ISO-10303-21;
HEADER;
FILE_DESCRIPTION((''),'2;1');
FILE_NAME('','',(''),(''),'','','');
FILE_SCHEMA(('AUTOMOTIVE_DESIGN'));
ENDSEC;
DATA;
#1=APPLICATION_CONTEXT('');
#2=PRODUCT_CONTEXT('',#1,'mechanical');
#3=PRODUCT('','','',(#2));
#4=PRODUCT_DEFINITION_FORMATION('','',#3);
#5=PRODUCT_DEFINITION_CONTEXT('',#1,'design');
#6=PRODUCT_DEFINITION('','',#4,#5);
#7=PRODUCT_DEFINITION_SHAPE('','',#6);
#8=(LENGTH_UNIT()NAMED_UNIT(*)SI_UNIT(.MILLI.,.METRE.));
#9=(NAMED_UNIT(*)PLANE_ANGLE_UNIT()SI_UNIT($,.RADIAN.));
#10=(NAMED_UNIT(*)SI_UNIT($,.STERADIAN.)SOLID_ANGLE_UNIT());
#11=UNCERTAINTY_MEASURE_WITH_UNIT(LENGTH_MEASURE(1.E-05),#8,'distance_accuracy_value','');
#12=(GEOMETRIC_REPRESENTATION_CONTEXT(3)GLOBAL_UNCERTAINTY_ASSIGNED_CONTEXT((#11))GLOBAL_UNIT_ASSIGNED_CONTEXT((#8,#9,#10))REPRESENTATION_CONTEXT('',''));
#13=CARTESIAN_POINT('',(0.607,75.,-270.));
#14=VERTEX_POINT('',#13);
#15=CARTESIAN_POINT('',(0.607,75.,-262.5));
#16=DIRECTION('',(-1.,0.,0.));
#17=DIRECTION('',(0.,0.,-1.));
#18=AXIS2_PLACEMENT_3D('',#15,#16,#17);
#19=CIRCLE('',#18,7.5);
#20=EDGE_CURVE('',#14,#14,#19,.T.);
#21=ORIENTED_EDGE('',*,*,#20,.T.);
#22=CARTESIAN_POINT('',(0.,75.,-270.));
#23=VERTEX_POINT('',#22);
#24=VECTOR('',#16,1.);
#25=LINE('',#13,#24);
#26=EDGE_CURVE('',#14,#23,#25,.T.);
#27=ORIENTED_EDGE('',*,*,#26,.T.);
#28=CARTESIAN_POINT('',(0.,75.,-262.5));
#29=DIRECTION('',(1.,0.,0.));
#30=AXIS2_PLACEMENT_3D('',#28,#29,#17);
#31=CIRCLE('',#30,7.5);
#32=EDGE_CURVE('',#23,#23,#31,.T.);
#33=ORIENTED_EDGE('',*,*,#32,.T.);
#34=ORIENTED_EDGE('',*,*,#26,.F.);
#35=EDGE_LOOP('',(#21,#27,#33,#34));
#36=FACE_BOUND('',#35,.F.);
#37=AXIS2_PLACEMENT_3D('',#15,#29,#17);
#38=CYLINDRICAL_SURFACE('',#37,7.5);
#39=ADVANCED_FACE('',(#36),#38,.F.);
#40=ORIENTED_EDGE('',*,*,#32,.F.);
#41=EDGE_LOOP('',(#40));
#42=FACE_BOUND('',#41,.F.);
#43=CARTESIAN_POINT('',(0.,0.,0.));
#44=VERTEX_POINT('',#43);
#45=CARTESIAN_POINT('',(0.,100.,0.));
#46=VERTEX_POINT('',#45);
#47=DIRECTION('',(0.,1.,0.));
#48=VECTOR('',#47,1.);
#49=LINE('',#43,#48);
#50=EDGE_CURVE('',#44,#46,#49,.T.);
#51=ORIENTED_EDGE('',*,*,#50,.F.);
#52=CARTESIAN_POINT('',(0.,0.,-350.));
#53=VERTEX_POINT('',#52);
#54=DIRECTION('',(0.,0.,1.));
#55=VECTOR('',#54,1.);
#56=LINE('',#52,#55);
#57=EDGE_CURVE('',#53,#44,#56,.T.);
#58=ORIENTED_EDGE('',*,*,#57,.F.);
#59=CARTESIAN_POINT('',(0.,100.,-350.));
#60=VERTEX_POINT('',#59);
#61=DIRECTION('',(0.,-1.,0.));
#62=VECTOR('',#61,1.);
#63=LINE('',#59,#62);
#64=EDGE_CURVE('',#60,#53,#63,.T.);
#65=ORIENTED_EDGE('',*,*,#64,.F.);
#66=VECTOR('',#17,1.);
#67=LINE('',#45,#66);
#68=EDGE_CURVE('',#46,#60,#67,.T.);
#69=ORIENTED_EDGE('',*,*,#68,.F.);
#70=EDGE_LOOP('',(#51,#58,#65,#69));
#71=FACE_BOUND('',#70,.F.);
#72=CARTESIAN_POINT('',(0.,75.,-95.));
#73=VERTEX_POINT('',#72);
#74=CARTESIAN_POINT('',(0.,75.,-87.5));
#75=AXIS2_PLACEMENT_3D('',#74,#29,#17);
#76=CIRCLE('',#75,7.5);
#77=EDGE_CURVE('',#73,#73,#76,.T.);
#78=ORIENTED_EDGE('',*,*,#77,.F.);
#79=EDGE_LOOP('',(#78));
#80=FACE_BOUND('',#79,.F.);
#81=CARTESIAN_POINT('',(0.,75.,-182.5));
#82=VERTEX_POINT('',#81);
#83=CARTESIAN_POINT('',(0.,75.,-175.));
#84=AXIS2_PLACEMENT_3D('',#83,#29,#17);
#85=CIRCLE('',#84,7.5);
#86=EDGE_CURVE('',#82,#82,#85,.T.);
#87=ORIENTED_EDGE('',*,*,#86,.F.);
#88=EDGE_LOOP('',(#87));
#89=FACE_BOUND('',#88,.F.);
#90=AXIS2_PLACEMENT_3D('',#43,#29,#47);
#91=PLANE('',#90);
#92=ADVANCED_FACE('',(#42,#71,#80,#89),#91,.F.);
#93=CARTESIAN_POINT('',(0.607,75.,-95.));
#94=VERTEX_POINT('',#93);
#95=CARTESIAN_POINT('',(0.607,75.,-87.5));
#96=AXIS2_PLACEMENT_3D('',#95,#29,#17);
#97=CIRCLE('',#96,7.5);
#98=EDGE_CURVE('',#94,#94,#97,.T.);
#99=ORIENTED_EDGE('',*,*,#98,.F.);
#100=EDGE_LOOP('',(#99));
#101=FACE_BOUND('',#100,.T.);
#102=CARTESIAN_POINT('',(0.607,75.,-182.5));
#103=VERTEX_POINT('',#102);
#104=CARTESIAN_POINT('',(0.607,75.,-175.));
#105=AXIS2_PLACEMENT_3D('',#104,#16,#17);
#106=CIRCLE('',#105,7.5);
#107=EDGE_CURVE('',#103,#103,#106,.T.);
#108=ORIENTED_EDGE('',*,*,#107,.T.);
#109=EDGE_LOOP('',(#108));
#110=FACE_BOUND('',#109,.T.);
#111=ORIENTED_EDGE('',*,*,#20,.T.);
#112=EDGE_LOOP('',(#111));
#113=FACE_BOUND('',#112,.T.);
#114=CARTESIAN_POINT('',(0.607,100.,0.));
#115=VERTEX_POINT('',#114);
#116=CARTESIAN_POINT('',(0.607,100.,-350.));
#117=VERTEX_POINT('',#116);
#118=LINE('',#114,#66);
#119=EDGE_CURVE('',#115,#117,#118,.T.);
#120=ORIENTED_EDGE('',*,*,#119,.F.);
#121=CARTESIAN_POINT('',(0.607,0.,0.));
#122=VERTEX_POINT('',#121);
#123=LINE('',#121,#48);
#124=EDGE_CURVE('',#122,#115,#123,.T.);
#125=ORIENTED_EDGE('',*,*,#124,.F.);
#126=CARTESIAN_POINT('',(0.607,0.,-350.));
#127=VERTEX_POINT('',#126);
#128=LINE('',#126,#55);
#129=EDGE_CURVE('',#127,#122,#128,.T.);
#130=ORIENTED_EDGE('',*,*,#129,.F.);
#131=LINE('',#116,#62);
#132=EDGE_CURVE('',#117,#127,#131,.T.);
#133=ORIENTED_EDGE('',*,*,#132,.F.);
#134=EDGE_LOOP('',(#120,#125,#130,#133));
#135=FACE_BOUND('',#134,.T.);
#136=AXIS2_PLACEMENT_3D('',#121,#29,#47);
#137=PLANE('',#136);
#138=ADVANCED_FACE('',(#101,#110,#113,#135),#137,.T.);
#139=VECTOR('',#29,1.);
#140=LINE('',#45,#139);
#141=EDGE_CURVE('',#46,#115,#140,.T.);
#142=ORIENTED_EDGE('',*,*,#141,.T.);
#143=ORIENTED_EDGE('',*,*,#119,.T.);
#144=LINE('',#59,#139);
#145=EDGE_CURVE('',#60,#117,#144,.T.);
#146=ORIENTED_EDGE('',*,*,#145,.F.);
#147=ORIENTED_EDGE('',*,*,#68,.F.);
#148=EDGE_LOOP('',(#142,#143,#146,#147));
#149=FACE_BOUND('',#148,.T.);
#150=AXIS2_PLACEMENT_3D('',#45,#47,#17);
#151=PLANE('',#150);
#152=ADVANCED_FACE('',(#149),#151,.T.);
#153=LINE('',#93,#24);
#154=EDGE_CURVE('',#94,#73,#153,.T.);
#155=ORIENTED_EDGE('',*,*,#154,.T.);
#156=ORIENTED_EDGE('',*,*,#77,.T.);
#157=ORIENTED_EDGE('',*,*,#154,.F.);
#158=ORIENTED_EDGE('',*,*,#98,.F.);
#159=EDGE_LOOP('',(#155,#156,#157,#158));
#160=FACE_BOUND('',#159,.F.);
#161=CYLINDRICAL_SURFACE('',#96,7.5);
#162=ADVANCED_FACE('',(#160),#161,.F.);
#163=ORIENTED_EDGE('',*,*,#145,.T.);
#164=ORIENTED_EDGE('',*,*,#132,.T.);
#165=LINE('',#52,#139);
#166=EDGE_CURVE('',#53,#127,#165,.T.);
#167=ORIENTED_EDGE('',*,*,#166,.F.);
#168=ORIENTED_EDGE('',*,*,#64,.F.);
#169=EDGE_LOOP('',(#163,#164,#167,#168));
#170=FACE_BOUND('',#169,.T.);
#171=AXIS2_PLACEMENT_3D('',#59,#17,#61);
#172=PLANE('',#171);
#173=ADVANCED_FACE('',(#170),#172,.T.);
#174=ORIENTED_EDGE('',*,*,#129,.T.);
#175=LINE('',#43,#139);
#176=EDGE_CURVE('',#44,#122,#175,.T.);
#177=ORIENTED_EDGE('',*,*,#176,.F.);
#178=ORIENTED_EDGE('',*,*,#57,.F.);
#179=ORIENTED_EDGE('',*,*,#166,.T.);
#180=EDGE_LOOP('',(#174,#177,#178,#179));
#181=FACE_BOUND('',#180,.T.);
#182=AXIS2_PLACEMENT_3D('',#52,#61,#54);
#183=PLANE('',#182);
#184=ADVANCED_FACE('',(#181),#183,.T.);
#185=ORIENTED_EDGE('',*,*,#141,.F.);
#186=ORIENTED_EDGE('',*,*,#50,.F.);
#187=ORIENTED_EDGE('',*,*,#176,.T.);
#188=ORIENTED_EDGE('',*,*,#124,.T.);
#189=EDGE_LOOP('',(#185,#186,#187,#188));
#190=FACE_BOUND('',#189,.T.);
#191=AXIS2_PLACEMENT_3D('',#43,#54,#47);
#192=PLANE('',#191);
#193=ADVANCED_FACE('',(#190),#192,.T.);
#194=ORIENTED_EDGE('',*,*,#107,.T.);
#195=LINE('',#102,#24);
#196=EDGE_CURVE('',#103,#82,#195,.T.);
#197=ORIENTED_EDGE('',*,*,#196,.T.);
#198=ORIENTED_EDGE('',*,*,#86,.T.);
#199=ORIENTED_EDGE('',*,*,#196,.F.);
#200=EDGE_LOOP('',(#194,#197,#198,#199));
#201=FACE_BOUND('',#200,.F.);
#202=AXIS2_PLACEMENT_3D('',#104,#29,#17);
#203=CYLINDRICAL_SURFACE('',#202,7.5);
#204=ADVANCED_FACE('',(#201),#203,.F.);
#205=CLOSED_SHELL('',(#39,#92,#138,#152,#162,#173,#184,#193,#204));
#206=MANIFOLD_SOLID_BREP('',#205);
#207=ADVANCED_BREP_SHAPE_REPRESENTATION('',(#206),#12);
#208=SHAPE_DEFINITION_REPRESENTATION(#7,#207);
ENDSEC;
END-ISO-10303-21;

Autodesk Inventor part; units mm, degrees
ref_plane "YZ Plane" through (0, 0, 0) normal (1, 0, 0) x (0, 1, 0)
ref_plane "XZ Plane" through (0, 0, 0) normal (0, 1, 0) x (-1, 0, 0)
ref_plane "XY Plane" through (0, 0, 0) normal (0, 0, 1) x (1, 0, 0)
sketch "Sketch1" plane through (0, 0, 0) normal (1, 0, 0) x (0, 1, 0)
  line L0 (0, 0) -> (100, 0)
  line L1 (100, 0) -> (100, -350)
  line L2 (100, -350) -> (0, -350)
  line L3 (0, -350) -> (0, 0)
  dimension "d0" = 100
  dimension "d1" = 350
extrude "Extrusion1" add sketch "Sketch1" along normal blind 0.607
sketch "Sketch2" plane through (0.607, 0, 0) normal (1, 0, 0) x (0, 0, -1)
  line L0 (350, 100) -> (0, 100) projected
  line L1 (0, 100) -> (175, 100)
  line L2 (175, 100) -> (175, 75)
  circle A0 centre (175, 75) radius 7.5
  line L3 (175, 75) -> (87.5, 75)
  line L4 (175, 75) -> (262.5, 75)
  circle A1 centre (87.5, 75) radius 7.5
  circle A2 centre (262.5, 75) radius 7.5
  point P0 (0, 0)
  dimension "d4" = 175
  dimension "d5" = 25
  dimension "d6" = 15
  dimension "d10" = 15
  dimension "d11" = 15
  dimension "d12" = 87.5
extrude "Extrusion2" cut sketch "Sketch2" against normal through all
equation "\"BendRadius\" = Thickness"
equation "\"BendReliefWidth\" = Thickness"
equation "\"BendReliefDepth\" = 0.5 * Thickness"
equation "\"CornerReliefSize\" = 4 * Thickness"
equation "\"MinimumRemnant\" = 2 * Thickness"
equation "\"TransitionRadius\" = BendRadius"
equation "\"JacobiRadiusSize\" = BendRadius"
equation "\"GapSize\" = Thickness"
equation "\"Thickness\" = 3.048"
properties part number "project support plate small" material "Steel, Galvanized"
